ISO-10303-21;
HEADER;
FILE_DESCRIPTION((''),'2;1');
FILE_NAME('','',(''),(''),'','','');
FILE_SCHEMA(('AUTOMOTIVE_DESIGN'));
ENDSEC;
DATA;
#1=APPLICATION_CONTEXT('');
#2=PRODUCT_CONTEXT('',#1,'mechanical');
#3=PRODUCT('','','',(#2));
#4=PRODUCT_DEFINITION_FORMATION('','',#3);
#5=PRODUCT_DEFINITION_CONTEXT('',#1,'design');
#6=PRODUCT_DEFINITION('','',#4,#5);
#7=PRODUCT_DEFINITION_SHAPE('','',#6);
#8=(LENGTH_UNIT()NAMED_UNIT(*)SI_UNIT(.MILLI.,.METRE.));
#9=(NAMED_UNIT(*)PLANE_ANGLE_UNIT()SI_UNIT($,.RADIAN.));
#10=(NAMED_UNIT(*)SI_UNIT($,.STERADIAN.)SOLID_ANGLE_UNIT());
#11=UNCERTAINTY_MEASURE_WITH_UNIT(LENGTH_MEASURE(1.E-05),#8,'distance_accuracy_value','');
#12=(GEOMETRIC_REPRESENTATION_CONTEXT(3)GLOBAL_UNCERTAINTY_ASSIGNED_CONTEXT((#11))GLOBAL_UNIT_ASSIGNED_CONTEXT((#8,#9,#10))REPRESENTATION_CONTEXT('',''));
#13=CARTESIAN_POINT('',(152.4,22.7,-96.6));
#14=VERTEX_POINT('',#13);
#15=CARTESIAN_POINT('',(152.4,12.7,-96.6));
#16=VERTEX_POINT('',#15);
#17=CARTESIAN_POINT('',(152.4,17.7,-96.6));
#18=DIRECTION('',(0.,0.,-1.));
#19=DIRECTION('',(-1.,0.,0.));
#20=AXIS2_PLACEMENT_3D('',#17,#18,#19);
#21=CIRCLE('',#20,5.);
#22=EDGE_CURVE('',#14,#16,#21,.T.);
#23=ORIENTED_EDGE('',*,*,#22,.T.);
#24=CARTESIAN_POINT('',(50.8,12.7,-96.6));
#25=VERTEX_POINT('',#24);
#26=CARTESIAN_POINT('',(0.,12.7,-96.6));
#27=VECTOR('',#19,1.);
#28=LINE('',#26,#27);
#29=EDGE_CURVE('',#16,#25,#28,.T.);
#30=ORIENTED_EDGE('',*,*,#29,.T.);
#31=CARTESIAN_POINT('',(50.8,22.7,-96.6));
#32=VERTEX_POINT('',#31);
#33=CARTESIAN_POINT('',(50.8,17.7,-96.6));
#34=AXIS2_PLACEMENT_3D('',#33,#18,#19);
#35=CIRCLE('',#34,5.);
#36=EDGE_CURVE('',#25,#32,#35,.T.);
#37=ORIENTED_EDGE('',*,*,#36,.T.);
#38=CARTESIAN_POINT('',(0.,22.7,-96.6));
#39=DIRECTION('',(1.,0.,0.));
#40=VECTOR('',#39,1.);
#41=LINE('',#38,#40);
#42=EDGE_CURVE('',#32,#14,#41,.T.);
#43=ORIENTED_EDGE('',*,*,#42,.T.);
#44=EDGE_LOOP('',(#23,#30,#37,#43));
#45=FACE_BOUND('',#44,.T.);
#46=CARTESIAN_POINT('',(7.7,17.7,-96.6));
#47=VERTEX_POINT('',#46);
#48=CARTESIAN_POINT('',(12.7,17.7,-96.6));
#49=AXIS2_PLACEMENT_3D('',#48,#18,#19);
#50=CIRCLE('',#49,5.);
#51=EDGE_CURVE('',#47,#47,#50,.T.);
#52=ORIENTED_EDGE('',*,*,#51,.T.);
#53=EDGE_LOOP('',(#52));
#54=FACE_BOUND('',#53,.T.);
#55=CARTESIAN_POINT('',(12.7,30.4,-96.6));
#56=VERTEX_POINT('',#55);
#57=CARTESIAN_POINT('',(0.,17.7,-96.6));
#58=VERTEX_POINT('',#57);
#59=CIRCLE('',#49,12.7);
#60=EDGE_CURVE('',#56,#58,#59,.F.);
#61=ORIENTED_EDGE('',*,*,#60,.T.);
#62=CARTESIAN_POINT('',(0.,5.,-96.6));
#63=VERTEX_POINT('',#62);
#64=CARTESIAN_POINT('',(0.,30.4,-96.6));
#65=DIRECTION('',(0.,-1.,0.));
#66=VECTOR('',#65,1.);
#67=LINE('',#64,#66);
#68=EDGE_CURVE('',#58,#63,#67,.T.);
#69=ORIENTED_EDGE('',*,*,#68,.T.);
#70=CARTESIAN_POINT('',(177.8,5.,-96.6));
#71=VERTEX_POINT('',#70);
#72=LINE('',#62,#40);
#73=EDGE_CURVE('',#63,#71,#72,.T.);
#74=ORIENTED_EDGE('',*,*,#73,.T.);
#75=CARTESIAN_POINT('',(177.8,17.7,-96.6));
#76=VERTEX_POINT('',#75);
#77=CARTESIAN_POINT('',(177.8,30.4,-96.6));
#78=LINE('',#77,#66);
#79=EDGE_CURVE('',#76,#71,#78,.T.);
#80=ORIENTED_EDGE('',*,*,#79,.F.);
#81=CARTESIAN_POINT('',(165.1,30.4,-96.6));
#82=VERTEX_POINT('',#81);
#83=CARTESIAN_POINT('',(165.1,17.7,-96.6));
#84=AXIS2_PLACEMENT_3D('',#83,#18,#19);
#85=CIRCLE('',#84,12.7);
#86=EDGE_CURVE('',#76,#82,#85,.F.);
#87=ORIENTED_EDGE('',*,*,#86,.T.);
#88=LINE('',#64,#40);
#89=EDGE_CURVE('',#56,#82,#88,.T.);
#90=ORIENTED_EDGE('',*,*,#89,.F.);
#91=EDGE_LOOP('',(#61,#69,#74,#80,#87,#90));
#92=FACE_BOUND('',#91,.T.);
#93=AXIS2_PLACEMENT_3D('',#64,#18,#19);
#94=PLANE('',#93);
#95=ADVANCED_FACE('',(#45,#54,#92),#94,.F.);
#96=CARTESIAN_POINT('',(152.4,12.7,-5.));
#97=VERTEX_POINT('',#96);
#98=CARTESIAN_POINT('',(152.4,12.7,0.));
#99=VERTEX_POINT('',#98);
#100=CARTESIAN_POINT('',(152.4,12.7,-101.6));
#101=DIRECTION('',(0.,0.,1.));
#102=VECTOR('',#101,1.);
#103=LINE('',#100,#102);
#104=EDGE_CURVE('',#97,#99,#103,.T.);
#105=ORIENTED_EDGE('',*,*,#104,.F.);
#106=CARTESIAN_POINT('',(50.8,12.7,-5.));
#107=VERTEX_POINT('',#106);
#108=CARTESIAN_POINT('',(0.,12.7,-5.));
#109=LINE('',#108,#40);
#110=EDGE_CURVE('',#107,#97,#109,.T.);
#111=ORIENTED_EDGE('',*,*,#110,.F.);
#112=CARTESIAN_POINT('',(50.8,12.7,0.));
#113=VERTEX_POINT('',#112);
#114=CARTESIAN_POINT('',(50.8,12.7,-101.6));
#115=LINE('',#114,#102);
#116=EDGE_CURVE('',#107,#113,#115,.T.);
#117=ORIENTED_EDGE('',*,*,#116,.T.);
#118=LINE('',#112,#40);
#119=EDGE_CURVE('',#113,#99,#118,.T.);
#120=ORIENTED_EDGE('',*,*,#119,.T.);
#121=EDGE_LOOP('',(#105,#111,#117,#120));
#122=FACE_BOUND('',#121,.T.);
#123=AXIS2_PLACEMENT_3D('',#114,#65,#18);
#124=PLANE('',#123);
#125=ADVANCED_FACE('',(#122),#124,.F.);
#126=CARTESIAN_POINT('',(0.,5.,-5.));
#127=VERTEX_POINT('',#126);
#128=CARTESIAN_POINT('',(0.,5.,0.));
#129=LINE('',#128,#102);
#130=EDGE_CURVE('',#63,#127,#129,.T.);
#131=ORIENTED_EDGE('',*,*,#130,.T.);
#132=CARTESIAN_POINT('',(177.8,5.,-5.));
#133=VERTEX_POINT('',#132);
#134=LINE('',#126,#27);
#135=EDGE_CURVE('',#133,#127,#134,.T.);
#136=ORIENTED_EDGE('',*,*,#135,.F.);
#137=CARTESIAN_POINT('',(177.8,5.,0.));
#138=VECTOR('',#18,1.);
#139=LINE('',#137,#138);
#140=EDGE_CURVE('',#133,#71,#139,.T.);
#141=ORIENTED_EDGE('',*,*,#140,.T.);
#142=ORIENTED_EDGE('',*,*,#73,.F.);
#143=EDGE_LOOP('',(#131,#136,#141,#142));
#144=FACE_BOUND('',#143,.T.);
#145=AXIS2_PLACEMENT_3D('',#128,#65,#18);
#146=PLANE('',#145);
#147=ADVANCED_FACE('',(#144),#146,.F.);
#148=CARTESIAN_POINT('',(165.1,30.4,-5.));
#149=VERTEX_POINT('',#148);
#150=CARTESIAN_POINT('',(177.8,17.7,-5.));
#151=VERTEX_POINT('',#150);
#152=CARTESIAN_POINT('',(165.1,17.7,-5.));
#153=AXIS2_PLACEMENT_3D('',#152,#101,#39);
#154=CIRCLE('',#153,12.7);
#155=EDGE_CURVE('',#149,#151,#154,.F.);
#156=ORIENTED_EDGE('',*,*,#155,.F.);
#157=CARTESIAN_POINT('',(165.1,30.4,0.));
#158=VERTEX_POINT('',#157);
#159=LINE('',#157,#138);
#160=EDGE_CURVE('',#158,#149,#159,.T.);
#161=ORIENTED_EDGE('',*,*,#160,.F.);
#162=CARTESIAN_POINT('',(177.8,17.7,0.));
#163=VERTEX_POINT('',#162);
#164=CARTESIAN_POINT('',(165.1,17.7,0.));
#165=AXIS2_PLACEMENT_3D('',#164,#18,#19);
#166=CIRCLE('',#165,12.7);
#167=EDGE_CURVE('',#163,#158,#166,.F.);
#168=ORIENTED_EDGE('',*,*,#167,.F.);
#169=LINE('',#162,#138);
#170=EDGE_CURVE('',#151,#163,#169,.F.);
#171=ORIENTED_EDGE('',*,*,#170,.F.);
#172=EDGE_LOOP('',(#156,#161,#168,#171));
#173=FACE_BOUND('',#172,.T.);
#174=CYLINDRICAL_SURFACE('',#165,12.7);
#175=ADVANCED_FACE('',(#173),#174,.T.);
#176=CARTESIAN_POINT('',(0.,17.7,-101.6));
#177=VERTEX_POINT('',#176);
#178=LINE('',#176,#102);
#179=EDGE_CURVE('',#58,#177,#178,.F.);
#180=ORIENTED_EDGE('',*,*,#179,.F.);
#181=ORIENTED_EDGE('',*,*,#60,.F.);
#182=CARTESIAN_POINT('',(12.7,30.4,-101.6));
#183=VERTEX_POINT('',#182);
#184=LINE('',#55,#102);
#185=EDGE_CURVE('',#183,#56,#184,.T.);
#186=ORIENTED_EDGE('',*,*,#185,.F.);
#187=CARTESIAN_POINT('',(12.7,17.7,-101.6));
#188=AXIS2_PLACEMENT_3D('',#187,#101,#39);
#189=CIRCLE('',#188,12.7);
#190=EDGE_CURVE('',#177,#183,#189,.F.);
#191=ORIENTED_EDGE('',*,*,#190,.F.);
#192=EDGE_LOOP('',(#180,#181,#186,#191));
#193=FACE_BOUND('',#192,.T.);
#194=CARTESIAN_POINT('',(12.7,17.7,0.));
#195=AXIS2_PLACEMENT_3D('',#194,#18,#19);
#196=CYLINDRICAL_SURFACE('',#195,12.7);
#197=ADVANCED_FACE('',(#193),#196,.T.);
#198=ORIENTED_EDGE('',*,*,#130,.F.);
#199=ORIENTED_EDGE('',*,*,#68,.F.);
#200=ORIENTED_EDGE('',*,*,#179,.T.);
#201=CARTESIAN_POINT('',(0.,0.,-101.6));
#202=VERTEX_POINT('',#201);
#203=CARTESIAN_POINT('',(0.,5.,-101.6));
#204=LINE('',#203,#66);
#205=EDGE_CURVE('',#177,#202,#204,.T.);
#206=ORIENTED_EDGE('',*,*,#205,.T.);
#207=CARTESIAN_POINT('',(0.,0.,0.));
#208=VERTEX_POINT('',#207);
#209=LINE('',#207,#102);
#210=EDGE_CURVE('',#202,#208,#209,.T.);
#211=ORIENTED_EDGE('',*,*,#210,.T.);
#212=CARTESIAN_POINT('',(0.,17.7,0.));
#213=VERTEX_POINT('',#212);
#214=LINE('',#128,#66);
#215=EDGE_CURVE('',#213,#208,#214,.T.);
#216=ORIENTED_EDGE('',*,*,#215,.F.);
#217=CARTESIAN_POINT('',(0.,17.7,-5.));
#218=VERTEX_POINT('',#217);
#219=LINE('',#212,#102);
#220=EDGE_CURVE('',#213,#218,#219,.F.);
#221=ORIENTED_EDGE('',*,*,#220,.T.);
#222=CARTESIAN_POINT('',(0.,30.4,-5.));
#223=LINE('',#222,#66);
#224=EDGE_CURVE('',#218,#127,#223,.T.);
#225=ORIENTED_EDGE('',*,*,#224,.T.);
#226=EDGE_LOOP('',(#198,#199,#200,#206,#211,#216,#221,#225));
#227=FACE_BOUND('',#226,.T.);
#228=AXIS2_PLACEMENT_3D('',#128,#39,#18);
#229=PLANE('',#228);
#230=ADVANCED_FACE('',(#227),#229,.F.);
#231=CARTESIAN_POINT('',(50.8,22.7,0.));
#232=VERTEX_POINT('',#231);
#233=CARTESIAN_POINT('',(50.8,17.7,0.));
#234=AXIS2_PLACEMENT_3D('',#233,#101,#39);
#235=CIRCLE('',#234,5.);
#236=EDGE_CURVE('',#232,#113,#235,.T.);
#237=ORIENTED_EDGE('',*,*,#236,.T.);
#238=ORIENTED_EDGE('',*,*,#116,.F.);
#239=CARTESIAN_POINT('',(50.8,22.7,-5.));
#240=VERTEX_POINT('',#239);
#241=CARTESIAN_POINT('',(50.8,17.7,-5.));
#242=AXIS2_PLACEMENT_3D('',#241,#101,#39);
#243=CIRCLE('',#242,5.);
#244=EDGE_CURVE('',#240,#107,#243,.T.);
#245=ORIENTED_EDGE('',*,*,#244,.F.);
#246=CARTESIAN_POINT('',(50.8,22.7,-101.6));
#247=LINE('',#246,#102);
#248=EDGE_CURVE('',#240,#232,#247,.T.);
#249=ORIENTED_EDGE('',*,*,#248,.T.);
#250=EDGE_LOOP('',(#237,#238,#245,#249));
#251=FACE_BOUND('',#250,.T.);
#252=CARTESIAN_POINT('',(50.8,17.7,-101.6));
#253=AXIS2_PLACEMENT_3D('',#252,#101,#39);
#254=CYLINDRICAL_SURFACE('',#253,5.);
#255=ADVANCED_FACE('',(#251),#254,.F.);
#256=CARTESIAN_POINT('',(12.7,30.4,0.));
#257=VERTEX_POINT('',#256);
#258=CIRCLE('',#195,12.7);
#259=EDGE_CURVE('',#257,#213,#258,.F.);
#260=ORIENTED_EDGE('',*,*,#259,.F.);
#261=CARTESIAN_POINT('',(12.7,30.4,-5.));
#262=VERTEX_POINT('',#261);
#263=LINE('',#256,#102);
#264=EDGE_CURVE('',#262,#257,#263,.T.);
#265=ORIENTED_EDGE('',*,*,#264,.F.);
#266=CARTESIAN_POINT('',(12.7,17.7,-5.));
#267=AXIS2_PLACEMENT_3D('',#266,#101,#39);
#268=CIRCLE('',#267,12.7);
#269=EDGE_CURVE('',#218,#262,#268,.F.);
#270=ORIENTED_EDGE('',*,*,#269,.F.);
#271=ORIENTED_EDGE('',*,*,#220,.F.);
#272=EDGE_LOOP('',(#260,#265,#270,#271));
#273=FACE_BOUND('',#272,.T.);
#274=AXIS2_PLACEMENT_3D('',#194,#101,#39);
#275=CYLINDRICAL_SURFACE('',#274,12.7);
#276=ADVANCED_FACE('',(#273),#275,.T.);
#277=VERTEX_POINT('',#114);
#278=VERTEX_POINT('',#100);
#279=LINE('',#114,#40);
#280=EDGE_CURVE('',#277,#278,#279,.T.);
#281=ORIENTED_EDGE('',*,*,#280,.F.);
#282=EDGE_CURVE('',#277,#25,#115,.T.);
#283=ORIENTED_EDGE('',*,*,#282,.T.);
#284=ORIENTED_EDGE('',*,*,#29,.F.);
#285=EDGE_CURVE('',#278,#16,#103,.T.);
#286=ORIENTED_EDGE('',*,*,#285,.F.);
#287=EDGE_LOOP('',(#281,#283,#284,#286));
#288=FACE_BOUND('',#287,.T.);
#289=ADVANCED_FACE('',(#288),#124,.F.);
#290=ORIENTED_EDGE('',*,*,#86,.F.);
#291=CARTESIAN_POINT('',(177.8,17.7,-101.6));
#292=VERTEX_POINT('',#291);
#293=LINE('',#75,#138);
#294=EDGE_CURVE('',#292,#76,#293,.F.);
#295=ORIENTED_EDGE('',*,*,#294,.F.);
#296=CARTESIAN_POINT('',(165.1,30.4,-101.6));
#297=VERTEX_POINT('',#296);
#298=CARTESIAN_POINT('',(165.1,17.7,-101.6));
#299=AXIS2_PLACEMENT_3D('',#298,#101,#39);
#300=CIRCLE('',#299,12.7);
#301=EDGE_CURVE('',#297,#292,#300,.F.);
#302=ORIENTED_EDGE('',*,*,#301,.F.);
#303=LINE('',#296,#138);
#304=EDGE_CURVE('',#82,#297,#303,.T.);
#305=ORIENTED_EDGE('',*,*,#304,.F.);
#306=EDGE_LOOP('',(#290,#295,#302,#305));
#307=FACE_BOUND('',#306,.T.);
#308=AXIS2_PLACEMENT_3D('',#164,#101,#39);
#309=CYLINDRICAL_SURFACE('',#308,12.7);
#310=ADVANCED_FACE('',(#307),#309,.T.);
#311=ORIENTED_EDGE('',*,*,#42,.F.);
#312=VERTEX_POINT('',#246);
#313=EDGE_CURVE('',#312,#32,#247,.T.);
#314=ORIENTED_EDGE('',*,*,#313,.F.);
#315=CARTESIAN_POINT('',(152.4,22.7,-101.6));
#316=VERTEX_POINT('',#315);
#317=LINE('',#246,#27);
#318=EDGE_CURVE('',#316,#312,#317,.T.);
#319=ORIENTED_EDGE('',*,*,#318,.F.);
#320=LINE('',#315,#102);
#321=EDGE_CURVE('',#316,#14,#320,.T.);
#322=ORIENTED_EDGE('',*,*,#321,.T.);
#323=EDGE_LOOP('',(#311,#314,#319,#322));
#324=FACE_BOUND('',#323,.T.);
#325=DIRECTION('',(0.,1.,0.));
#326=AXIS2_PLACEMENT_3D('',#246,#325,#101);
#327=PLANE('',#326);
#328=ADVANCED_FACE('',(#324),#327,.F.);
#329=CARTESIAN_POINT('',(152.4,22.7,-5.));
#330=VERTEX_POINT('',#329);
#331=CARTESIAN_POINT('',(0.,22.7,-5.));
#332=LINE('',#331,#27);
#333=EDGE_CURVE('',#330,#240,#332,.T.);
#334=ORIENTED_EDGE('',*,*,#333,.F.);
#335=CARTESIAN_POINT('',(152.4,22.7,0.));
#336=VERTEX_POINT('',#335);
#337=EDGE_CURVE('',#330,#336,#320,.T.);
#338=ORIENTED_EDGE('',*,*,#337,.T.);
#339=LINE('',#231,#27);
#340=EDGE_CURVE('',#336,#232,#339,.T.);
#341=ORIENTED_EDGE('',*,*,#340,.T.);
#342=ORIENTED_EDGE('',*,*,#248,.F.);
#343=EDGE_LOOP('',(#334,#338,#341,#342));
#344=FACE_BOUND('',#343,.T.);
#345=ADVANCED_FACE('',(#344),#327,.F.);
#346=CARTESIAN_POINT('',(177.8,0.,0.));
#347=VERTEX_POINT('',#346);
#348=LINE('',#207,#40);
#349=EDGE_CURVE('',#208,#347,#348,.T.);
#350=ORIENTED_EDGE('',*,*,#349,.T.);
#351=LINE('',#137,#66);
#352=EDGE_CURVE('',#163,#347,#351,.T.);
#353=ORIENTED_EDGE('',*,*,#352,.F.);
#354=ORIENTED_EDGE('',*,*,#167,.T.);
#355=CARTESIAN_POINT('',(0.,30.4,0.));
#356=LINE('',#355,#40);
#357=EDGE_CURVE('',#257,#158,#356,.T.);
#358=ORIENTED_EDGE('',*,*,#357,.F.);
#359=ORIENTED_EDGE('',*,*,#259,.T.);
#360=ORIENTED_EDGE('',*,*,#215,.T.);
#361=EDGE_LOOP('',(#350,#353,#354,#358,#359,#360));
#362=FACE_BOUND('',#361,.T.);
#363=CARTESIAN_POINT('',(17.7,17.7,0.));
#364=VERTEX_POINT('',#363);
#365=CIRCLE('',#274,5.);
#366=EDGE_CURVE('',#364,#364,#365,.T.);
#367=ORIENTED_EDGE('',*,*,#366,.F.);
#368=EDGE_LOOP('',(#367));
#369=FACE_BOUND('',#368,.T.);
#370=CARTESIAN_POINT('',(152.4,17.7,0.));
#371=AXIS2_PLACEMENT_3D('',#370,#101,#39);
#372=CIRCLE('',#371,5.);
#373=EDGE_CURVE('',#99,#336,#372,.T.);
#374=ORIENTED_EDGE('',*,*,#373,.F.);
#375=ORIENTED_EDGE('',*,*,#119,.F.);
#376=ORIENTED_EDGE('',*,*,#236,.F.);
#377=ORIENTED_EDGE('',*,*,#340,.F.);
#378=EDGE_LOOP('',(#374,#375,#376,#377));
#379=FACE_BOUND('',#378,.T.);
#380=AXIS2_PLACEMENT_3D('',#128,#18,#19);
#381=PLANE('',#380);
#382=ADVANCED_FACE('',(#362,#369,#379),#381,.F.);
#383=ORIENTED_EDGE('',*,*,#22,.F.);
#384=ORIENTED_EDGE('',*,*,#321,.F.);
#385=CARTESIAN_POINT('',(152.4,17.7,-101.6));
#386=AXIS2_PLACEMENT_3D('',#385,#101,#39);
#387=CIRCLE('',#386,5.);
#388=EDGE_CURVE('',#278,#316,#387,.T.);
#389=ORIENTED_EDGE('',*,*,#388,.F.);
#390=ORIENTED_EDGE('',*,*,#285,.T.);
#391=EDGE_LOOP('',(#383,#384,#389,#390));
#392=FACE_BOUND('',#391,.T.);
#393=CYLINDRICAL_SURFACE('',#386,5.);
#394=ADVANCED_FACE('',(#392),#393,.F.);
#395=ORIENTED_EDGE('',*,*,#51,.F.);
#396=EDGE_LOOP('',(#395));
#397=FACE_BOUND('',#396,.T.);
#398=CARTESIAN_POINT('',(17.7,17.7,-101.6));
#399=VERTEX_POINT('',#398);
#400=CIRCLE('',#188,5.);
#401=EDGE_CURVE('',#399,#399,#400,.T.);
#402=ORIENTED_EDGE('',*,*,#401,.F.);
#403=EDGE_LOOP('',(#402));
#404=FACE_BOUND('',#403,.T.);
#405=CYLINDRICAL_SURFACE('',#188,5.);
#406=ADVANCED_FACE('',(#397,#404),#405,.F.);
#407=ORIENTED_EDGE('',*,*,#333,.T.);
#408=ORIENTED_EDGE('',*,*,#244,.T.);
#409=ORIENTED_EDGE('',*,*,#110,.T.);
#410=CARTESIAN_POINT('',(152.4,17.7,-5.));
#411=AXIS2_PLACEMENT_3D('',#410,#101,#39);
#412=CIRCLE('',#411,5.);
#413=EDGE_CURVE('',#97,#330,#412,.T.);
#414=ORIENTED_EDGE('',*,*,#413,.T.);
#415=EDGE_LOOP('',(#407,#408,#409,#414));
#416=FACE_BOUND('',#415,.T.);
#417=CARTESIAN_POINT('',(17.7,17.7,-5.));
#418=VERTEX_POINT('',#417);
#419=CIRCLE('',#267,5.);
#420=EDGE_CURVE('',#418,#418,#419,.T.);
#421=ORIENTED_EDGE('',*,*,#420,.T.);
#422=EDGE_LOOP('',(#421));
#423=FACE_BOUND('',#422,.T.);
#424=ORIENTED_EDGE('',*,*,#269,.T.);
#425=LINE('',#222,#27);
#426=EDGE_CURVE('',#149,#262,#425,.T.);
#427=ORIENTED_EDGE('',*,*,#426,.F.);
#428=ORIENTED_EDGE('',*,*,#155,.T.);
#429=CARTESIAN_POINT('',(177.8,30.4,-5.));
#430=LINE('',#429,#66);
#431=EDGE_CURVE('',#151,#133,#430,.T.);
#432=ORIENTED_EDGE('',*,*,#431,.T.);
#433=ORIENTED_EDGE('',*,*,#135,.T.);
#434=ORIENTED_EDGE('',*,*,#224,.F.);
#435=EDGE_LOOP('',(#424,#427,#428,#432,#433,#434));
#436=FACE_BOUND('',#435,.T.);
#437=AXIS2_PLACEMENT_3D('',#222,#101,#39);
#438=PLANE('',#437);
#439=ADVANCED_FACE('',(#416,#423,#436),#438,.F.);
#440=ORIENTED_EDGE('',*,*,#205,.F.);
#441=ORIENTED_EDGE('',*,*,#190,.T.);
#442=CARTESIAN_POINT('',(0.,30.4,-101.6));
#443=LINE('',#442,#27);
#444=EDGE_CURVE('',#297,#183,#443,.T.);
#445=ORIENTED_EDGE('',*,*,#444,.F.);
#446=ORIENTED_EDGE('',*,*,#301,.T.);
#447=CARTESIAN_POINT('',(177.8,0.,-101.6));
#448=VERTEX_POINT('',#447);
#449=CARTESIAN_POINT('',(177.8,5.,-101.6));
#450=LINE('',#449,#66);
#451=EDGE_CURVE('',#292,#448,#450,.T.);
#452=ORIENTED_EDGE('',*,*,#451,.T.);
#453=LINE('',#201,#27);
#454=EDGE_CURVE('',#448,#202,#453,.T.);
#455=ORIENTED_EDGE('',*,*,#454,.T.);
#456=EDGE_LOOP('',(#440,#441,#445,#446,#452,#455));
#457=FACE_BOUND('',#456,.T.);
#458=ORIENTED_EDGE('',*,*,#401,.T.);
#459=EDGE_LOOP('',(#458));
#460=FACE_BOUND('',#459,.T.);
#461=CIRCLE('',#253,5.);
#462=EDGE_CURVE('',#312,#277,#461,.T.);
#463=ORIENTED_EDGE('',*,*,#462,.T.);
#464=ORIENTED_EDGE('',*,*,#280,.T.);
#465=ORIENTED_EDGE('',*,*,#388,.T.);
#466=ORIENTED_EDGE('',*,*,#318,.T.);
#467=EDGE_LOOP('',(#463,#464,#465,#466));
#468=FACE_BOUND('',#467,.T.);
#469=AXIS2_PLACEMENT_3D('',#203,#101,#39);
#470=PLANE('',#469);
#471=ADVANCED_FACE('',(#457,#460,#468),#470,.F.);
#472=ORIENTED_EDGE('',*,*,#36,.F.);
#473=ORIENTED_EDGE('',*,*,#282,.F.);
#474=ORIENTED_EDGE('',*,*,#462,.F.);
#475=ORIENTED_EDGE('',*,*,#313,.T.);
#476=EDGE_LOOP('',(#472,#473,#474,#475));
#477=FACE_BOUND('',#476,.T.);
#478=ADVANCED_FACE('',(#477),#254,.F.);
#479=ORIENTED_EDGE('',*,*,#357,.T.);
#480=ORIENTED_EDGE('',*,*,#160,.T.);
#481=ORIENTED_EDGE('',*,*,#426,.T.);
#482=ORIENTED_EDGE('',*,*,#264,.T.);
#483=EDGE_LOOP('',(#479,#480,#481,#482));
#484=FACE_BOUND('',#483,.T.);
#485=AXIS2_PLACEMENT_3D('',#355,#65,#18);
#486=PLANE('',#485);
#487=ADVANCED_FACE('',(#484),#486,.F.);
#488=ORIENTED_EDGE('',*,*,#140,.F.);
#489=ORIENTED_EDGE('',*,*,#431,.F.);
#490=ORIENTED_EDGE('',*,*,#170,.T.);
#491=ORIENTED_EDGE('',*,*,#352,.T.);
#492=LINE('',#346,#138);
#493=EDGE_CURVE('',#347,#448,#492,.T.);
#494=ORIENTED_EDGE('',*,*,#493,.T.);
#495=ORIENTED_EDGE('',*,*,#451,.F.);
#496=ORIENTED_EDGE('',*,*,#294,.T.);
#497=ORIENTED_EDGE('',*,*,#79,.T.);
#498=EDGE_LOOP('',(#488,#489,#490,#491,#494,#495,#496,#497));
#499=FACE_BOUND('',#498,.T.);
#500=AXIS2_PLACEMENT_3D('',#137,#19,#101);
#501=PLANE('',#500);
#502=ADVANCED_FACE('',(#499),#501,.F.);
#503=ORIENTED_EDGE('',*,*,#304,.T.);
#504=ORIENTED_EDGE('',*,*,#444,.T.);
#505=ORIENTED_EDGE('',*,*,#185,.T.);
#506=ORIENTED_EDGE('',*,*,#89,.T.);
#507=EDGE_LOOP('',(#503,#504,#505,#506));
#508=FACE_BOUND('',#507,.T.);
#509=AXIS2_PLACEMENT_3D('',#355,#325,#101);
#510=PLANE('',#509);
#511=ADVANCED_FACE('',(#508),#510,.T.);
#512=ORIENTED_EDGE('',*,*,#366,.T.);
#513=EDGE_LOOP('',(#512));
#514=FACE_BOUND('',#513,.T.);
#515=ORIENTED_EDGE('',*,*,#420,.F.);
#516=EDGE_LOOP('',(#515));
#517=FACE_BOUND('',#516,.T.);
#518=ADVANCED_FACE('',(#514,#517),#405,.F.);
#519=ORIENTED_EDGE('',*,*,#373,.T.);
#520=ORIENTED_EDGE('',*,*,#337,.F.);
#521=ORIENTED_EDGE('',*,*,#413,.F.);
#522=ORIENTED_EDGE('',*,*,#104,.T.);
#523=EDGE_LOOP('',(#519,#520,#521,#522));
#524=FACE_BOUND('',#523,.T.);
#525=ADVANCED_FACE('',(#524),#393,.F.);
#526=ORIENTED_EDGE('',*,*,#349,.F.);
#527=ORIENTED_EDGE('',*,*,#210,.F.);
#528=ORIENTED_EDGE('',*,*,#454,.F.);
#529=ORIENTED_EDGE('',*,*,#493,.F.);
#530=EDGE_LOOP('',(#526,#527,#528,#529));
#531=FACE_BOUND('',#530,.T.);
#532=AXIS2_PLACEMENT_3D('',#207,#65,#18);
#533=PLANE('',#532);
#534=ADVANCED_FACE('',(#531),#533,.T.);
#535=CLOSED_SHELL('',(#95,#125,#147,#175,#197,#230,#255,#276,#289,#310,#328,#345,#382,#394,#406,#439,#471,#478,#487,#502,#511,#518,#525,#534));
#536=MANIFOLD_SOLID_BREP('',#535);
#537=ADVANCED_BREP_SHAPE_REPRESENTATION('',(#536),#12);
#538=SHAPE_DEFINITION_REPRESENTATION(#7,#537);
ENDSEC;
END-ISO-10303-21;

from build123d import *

# Parameters (mm, degrees)
SKETCH2_W           = 177.8
SKETCH2_H           = 101.6
BOSS_EXTRUDE1_DEPTH = 5
SKETCH3_W           = 177.8
SKETCH3_H           = 5
BOSS_EXTRUDE3_DEPTH = 25.4
SKETCH4_R           = 5
CUT_EXTRUDE1_DEPTH  = 208.025505675
FILLET1_R           = 12.7


with BuildPart() as part:
    # Sketch2 → Boss-Extrude1 (new body)
    with BuildSketch(Plane(origin=(0, 0, 0), x_dir=(1, 0, 0), z_dir=(0, 1, 0))):
        with Locations((88.9, 50.8)):
            Rectangle(SKETCH2_W, SKETCH2_H)
    extrude(amount=BOSS_EXTRUDE1_DEPTH)

    # Sketch3 → Boss-Extrude3 (add)
    with BuildSketch(Plane(origin=(0, 5, 0), x_dir=(1, 0, 0), z_dir=(0, 1, 0))):
        with Locations((88.9, 2.5)):
            Rectangle(SKETCH3_W, SKETCH3_H)
        with Locations((88.9, 99.1)):
            Rectangle(SKETCH3_W, SKETCH3_H)
    extrude(amount=BOSS_EXTRUDE3_DEPTH)

    # Sketch4 → Cut-Extrude1 (cut, through all)
    with BuildSketch(Plane.XY):
        with Locations((12.7, 17.7)):
            Circle(SKETCH4_R)
        with BuildLine():
            Line((50.8, 22.7), (152.4, 22.7))
            ThreePointArc((152.4, 22.7), (157.4, 17.7), (152.4, 12.7))
            Line((152.4, 12.7), (50.8, 12.7))
            ThreePointArc((50.8, 12.7), (45.8, 17.7), (50.8, 22.7))
        make_face()
    extrude(amount=-CUT_EXTRUDE1_DEPTH, mode=Mode.SUBTRACT)

    # Fillet1
    fillet1_edges = [part.edges().sort_by_distance(p)[0] for p in [
        (0, 30.4, -2.5),
        (177.8, 30.4, -2.5),
        (0, 30.4, -99.1),
        (177.8, 30.4, -99.1),
    ]]
    fillet(fillet1_edges, radius=FILLET1_R)


solid = part.part
